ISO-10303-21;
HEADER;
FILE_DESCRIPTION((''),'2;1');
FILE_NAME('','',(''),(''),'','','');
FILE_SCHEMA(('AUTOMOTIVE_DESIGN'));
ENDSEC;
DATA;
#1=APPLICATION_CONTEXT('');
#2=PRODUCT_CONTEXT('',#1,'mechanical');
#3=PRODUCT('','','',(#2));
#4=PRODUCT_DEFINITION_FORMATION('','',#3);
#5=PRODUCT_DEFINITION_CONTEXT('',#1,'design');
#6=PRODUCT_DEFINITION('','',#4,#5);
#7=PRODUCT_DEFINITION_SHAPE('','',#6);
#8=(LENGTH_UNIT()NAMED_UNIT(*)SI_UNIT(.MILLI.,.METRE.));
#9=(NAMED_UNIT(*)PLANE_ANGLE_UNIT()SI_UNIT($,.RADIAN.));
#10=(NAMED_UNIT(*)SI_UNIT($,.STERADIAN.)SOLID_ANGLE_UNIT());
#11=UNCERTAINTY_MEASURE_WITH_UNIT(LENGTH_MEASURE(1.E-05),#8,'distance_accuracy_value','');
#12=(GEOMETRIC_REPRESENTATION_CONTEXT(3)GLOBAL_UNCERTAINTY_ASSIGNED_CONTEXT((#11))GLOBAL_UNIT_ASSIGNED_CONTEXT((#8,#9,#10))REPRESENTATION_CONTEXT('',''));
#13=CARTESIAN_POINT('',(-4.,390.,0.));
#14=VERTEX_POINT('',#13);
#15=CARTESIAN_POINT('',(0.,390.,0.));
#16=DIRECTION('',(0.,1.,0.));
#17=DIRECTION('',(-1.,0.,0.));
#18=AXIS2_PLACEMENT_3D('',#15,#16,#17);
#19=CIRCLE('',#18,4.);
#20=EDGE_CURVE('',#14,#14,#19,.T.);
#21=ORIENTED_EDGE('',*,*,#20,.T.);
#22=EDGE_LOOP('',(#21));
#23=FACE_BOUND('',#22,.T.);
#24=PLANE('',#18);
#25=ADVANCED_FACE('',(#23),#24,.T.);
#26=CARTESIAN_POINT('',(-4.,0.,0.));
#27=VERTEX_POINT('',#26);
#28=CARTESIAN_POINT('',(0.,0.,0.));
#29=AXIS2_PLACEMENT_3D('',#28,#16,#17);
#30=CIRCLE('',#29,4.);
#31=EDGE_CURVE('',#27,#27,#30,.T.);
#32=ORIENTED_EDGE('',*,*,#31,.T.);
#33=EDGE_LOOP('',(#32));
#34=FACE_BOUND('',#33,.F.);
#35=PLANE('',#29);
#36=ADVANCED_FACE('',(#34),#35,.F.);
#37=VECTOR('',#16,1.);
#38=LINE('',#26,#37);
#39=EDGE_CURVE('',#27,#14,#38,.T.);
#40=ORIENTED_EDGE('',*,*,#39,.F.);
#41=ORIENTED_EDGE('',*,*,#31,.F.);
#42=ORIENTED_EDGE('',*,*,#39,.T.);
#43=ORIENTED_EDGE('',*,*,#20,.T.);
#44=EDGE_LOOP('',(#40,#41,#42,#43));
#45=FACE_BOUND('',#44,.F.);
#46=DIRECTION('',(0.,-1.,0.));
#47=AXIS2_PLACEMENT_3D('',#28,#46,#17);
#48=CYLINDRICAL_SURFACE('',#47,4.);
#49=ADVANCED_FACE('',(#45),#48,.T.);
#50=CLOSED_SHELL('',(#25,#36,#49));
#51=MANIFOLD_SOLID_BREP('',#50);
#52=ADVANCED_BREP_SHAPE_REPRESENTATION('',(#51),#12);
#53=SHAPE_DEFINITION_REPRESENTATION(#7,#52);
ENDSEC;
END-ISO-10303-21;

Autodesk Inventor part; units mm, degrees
ref_plane "YZ Plane" through (0, 0, 0) normal (1, 0, 0) x (0, 1, 0)
ref_plane "XZ Plane" through (0, 0, 0) normal (0, 1, 0) x (-1, 0, 0)
ref_plane "XY Plane" through (0, 0, 0) normal (0, 0, 1) x (1, 0, 0)
sketch "Sketch1" plane through (0, 0, 0) normal (0, 1, 0) x (-1, 0, 0)
  circle A0 centre (0, 0) radius 4
  dimension "d0" = 8
extrude "Extrusion1" add sketch "Sketch1" along normal blind 390
properties part number "XShaft" material "Steel, Alloy"
